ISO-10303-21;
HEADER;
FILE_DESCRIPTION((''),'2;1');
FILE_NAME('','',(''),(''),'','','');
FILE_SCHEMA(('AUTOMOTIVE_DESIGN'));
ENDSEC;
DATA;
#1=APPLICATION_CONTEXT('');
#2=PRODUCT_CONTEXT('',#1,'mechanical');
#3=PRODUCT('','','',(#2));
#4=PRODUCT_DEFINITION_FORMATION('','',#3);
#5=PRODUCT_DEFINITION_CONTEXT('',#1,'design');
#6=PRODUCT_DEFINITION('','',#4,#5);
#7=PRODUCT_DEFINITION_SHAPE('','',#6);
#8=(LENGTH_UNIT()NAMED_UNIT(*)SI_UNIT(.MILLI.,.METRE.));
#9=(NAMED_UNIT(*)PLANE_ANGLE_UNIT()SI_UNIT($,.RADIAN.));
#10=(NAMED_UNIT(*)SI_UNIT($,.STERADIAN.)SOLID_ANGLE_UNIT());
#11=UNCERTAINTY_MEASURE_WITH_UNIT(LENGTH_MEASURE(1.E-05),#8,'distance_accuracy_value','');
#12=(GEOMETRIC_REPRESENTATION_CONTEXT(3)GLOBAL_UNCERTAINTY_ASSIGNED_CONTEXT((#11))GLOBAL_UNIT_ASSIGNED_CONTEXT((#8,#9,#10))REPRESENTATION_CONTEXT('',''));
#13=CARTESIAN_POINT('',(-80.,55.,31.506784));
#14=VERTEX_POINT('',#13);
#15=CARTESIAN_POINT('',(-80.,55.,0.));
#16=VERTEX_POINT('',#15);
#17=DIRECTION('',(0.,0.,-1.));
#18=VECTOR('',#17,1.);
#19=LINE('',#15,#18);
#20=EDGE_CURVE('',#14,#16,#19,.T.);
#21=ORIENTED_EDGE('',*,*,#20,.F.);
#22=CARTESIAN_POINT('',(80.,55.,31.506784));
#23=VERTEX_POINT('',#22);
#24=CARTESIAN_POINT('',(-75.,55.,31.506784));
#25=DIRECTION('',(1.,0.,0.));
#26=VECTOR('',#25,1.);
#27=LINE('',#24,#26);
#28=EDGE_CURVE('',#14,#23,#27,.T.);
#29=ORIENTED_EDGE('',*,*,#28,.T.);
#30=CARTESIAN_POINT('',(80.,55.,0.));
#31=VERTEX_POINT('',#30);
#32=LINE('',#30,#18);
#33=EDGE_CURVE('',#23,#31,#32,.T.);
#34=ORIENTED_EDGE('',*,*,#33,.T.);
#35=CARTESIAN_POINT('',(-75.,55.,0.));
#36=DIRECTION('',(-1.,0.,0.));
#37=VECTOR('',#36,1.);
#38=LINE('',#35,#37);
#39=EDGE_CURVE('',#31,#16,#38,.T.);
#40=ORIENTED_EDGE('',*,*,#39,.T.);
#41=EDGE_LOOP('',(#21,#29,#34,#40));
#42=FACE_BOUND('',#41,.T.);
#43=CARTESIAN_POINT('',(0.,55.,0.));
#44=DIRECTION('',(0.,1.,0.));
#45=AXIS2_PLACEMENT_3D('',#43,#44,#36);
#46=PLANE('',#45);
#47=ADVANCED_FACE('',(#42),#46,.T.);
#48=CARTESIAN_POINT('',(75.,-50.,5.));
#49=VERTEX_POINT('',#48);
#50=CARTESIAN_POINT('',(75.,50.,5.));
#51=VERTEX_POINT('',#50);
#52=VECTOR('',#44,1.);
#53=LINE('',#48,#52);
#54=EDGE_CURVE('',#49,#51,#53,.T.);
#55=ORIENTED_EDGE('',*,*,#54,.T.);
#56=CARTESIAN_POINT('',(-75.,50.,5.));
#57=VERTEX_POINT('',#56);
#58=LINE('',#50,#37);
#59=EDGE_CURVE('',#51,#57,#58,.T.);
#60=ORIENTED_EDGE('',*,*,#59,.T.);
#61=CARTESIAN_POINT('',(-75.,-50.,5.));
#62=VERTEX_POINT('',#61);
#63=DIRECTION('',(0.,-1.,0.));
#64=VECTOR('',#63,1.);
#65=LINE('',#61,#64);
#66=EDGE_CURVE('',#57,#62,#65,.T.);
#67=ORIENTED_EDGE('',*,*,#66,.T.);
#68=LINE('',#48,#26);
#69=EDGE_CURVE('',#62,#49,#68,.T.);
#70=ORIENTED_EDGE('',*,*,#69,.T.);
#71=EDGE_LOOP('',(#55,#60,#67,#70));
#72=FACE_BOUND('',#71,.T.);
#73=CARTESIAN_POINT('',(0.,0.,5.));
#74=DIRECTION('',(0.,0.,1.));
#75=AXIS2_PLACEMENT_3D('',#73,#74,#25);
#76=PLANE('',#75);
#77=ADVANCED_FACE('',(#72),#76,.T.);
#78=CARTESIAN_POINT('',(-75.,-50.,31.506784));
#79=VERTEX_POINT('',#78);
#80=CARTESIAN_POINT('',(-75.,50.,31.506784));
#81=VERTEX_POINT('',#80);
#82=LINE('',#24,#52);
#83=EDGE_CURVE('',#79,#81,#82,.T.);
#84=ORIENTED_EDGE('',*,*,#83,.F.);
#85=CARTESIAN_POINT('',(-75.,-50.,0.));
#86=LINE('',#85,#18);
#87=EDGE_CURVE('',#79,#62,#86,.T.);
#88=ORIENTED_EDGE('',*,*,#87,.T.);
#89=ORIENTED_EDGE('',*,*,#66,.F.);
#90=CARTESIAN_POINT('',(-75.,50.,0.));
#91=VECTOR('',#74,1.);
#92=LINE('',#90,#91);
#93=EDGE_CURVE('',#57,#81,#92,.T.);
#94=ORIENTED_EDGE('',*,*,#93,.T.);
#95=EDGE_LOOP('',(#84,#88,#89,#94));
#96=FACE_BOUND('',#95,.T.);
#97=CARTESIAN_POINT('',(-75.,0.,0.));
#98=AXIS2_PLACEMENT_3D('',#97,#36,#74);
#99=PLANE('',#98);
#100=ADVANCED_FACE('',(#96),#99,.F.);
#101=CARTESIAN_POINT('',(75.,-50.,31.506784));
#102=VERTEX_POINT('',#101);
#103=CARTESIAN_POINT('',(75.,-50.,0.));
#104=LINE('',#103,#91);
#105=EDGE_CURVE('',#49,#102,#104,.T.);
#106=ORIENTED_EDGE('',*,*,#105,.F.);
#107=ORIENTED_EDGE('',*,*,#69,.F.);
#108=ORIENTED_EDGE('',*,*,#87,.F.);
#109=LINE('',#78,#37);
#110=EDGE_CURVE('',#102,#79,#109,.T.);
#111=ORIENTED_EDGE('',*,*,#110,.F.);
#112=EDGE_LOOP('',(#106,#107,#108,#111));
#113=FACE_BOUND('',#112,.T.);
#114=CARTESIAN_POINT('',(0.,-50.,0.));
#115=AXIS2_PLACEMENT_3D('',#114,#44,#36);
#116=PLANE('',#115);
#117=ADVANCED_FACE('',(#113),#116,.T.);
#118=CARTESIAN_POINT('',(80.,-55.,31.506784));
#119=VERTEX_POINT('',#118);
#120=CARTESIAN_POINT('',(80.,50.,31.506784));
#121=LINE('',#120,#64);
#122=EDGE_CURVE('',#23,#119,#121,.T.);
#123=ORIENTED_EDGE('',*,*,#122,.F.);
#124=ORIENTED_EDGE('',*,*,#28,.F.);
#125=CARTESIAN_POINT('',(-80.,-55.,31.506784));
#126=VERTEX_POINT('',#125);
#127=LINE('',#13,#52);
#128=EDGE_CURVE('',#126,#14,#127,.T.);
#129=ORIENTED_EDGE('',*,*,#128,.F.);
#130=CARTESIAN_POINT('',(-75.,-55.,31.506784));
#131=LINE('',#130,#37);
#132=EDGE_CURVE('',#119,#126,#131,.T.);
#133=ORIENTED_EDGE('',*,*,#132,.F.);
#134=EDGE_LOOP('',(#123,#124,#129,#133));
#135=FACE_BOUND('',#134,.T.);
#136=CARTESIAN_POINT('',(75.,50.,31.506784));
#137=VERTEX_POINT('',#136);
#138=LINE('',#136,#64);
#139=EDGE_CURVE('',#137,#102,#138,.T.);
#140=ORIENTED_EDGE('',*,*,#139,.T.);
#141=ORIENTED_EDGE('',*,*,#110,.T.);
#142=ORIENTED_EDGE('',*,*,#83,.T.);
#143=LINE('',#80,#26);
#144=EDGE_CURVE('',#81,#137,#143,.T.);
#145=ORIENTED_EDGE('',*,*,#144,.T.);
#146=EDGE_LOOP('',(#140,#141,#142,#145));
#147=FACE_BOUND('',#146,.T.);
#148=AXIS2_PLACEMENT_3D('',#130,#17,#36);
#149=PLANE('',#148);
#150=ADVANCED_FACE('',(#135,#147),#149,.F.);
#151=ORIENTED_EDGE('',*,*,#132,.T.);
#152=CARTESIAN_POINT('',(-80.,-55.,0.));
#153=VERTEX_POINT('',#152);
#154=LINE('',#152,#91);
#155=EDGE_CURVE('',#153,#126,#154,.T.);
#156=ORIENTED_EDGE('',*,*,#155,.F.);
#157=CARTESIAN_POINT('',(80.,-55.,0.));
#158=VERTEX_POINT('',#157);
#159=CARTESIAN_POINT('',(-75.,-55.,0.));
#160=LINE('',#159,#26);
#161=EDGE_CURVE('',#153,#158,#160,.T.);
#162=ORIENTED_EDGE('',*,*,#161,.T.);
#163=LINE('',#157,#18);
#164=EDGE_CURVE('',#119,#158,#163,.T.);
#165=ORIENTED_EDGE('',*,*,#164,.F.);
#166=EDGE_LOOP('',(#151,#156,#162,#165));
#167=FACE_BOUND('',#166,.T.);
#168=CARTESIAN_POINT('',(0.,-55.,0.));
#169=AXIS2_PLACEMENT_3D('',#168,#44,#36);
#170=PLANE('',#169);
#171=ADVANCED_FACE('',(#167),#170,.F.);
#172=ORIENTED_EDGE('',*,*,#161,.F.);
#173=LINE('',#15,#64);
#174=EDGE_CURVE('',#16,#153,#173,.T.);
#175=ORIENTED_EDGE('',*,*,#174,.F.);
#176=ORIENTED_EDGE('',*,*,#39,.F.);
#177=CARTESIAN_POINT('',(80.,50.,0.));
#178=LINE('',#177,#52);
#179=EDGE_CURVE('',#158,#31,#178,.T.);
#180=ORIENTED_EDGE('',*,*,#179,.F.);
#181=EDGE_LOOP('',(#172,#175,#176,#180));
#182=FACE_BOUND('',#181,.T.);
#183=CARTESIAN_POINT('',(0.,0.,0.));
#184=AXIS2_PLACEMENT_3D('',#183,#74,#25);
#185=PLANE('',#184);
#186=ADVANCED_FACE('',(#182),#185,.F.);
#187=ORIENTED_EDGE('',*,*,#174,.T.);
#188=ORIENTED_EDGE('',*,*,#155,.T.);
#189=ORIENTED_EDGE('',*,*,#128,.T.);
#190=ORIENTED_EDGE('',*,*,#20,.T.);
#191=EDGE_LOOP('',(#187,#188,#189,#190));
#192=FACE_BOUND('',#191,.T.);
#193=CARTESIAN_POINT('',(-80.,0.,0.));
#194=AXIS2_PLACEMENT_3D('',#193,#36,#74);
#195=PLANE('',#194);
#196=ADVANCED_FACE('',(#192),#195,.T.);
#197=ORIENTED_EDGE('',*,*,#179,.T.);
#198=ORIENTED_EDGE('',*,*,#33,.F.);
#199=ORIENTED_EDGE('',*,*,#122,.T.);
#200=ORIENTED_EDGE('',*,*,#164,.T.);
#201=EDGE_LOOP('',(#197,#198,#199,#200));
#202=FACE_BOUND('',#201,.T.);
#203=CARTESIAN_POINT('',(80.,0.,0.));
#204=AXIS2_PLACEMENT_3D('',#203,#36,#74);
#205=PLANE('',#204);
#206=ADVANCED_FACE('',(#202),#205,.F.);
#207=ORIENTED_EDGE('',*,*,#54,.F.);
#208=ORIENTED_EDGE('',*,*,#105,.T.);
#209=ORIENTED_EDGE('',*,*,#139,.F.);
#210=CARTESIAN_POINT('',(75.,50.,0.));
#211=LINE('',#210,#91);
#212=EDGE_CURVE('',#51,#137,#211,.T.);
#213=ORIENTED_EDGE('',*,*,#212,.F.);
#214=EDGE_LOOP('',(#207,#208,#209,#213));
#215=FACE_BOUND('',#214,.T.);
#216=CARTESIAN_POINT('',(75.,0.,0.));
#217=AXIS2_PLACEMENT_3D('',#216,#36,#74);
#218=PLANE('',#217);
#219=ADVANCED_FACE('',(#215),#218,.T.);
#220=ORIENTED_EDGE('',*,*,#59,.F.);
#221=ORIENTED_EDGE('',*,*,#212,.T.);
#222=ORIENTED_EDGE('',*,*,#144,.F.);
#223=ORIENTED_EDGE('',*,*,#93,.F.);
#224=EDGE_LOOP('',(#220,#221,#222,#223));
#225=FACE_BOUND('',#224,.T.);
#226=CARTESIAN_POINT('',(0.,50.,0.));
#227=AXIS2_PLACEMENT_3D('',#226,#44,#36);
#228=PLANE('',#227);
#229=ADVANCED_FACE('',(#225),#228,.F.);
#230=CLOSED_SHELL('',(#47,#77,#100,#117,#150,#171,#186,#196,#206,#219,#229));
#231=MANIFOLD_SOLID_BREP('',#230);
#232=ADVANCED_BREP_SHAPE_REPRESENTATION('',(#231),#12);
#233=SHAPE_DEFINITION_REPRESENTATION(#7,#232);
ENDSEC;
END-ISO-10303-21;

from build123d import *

# Parameters (mm, degrees)
SKETCH1_W           = 150
SKETCH1_H           = 100
BOSS_EXTRUDE1_DEPTH = 5
SKETCH2_W           = 150
SKETCH2_H           = 31.506784204
BOSS_EXTRUDE2_DEPTH = 5
SKETCH4_W           = 31.506784204
SKETCH4_H           = 105
BOSS_EXTRUDE3_DEPTH = 5
SKETCH5_W           = 155
SKETCH5_H           = 31.506784204
BOSS_EXTRUDE4_DEPTH = 5
SKETCH6_W           = 31.506784204
SKETCH6_H           = 110
BOSS_EXTRUDE5_DEPTH = 5


with BuildPart() as part:
    # Sketch1 → Boss-Extrude1 (new body)
    with BuildSketch(Plane.XY):
        Rectangle(SKETCH1_W, SKETCH1_H)
    extrude(amount=BOSS_EXTRUDE1_DEPTH)

    # Sketch2 → Boss-Extrude2 (add)
    with BuildSketch(Plane.XZ.offset(50)):
        with Locations((0, 15.753392102)):
            Rectangle(SKETCH2_W, SKETCH2_H)
    extrude(amount=BOSS_EXTRUDE2_DEPTH)

    # Sketch4 → Boss-Extrude3 (add)
    with BuildSketch(Plane(origin=(75, 0, 0), x_dir=(0, 0, -1), z_dir=(1, 0, 0))):
        with Locations((-15.753392102, -2.5)):
            Rectangle(SKETCH4_W, SKETCH4_H)
    extrude(amount=BOSS_EXTRUDE3_DEPTH)

    # Sketch5 → Boss-Extrude4 (add)
    with BuildSketch(Plane(origin=(0, 50, 0), x_dir=(1, 0, 0), z_dir=(0, 1, 0))):
        with Locations((2.5, -15.753392102)):
            Rectangle(SKETCH5_W, SKETCH5_H)
    extrude(amount=BOSS_EXTRUDE4_DEPTH)

    # Sketch6 → Boss-Extrude5 (add)
    with BuildSketch(Plane.ZY.offset(75)):
        with Locations((15.753392102, 0)):
            Rectangle(SKETCH6_W, SKETCH6_H)
    extrude(amount=BOSS_EXTRUDE5_DEPTH)


solid = part.part
